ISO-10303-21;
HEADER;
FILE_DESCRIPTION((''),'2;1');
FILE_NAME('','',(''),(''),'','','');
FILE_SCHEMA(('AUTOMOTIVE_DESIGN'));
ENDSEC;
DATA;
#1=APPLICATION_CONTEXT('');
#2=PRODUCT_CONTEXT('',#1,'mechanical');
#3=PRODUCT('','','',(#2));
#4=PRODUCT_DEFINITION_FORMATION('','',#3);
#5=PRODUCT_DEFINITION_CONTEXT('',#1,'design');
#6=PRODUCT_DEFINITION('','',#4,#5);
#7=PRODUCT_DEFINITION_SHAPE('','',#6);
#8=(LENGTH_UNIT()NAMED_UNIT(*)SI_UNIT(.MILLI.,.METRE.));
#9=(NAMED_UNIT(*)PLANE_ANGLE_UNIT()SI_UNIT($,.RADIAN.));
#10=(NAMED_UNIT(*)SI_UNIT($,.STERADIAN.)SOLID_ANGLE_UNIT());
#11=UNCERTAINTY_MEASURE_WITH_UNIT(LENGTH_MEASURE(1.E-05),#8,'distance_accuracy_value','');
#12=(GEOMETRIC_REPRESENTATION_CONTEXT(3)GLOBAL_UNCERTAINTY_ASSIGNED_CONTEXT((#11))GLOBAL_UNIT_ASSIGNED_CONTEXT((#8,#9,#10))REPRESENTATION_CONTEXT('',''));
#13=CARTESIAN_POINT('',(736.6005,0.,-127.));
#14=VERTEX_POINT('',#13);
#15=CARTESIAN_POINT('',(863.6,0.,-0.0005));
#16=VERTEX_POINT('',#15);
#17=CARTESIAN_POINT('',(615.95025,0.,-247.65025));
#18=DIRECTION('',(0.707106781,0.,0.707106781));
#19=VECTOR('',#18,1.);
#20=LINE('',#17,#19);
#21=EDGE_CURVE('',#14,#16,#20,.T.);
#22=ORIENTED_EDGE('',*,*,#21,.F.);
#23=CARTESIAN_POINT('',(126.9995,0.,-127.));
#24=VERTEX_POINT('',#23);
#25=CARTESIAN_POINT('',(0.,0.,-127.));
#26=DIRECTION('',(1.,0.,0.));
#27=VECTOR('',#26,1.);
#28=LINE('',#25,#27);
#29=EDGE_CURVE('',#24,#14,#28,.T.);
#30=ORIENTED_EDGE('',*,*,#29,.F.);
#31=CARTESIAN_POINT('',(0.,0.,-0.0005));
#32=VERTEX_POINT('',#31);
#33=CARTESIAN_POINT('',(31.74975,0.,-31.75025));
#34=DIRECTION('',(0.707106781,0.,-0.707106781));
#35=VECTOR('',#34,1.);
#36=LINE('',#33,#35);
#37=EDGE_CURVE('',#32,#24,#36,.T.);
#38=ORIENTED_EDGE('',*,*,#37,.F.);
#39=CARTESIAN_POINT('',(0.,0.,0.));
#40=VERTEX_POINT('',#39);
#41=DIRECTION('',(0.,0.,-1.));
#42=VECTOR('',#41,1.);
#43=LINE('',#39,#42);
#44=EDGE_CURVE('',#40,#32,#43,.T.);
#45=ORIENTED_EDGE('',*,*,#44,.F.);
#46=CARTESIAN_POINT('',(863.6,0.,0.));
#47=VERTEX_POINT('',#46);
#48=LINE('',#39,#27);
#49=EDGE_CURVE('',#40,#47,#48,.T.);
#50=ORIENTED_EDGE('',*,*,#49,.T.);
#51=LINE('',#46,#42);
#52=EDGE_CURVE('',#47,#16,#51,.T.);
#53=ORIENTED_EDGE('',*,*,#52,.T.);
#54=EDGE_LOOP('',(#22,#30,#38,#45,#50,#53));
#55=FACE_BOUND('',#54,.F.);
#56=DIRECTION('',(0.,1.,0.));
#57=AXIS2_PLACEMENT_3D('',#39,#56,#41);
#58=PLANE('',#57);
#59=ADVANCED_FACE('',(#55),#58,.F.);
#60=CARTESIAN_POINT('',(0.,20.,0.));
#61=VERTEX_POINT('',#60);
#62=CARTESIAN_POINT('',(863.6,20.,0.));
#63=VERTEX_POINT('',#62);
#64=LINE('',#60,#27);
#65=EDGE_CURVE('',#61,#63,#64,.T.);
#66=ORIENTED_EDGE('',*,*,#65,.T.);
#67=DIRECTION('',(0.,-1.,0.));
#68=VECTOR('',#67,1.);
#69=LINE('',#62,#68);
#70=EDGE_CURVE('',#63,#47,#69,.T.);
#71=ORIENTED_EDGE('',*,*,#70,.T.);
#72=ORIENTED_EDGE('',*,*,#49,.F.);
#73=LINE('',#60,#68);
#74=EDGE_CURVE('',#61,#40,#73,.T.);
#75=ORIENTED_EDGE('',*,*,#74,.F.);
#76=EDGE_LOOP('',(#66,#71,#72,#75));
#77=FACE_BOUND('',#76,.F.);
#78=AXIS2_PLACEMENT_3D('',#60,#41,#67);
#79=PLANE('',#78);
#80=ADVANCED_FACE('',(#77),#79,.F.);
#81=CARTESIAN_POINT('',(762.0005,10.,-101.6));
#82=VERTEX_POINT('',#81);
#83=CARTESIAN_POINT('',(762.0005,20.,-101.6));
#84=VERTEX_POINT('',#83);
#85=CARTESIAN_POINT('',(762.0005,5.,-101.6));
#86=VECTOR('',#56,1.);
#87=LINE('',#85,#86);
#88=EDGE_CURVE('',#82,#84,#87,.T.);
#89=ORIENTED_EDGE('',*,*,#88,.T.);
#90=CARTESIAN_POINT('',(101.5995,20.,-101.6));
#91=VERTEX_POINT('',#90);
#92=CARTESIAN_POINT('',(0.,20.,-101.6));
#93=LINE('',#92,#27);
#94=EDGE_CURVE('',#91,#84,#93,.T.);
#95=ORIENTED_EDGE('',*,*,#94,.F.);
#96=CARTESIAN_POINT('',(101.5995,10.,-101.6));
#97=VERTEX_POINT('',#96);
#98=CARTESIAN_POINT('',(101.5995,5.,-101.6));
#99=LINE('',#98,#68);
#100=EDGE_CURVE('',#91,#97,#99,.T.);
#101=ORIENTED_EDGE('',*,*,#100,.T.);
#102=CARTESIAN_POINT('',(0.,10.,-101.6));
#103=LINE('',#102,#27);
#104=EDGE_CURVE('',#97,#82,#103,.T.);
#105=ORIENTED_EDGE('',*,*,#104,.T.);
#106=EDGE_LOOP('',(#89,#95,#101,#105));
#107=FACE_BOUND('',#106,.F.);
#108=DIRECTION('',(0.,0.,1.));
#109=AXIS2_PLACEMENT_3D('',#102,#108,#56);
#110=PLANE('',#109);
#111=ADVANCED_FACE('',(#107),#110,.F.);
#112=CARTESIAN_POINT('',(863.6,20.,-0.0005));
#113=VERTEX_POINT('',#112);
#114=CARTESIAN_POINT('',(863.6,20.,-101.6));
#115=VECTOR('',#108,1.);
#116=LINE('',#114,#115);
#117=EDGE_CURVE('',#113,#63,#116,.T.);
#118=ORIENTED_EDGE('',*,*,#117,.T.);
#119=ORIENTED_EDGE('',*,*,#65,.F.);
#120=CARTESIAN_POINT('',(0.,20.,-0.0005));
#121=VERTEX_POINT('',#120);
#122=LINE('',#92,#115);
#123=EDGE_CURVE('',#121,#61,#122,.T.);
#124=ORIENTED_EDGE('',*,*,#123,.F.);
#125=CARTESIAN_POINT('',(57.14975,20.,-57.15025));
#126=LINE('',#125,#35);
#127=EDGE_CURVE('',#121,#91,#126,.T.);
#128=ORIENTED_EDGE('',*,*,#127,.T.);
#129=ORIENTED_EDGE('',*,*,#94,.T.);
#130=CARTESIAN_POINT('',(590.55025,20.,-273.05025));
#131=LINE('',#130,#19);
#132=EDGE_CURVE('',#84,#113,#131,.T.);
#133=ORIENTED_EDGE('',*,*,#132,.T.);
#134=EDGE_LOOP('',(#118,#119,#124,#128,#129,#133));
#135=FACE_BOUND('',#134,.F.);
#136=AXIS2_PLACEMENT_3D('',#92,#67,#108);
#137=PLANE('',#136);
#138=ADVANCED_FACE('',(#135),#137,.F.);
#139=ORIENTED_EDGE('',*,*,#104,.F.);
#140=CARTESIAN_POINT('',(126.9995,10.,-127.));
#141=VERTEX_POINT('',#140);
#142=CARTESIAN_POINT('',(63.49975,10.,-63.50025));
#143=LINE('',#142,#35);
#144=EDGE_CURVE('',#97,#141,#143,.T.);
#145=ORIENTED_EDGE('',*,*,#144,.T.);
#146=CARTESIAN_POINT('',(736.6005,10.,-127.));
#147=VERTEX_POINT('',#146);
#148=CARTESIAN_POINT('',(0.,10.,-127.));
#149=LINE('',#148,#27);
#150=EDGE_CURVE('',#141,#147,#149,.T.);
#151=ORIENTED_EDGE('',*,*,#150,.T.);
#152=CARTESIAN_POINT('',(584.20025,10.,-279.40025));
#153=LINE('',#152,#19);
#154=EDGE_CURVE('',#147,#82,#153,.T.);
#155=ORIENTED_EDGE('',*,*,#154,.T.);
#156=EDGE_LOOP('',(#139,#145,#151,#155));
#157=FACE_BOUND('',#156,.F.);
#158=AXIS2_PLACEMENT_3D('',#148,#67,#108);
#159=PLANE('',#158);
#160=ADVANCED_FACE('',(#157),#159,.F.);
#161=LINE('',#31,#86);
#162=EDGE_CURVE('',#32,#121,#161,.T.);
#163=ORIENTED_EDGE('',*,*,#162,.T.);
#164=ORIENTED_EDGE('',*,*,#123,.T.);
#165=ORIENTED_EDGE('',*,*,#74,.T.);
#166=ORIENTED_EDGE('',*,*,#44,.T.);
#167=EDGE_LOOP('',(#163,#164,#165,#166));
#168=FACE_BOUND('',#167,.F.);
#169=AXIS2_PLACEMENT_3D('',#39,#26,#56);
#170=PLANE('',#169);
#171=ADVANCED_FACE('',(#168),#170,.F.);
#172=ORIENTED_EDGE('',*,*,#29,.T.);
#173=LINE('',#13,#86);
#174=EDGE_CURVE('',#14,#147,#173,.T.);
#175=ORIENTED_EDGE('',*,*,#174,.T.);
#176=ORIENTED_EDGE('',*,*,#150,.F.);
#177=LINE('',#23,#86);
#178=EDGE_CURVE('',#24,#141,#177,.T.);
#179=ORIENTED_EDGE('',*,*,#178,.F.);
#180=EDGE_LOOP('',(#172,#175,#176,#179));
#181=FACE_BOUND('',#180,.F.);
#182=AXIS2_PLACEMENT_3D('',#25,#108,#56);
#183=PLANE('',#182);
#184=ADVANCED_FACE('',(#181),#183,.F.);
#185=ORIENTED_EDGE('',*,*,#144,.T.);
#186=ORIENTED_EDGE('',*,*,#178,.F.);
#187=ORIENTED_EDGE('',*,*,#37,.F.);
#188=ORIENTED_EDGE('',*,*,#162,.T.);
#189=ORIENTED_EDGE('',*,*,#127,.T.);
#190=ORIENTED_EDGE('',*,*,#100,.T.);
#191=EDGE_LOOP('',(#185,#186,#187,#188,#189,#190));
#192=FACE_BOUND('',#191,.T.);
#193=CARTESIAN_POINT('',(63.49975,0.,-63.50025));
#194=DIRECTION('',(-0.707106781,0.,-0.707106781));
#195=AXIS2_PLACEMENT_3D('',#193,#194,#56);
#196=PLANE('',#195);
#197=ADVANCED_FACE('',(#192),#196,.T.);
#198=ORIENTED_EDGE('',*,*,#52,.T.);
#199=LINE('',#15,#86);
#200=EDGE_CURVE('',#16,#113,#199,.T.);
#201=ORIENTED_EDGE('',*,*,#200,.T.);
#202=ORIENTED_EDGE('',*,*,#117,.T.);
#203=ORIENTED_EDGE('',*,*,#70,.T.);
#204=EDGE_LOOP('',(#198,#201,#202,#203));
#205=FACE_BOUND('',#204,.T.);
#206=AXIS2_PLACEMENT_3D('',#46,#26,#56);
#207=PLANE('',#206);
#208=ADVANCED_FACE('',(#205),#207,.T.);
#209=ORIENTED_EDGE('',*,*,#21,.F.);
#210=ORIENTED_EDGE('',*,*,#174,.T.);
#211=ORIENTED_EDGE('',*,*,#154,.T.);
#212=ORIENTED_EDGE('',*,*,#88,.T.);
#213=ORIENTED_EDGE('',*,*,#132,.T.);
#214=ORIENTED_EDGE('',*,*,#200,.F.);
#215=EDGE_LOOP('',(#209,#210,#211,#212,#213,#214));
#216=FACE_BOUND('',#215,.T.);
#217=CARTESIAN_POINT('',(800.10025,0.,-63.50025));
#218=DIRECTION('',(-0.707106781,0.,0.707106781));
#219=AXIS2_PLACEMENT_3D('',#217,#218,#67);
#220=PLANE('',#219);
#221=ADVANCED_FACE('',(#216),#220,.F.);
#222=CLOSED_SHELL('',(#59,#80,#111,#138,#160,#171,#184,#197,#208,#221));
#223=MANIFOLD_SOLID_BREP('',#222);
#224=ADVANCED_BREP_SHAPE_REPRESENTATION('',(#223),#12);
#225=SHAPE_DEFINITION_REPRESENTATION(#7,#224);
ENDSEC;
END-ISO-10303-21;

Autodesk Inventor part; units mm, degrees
ref_plane "YZ Plane" through (0, 0, 0) normal (1, 0, 0) x (0, 1, 0)
ref_plane "XZ Plane" through (0, 0, 0) normal (0, 1, 0) x (-1, 0, 0)
ref_plane "XY Plane" through (0, 0, 0) normal (0, 0, 1) x (1, 0, 0)
sketch "Sketch1" plane through (0, 0, 0) normal (1, 0, 0) x (0, 1, 0)
  line L0 (0, 0) -> (0, -127)
  line L1 (0, -127) -> (10, -127)
  line L2 (10, -127) -> (10, -101.6)
  line L3 (10, -101.6) -> (20, -101.6)
  line L4 (20, -101.6) -> (20, 0)
  line L5 (20, 0) -> (0, 0)
  dimension "d0" = 127
  dimension "d1" = 10
  dimension "d2" = 25.4
  dimension "d3" = 10
extrude "Extrusion1" add sketch "Sketch1" along normal blind 863.6
chamfer "Chamfer1" distance 127 angle 45 1 edges at (863.6, 5, -127)
chamfer "Chamfer2" distance 127 angle 45 1 edges at (0, 5, -127)
properties part number "SkirtWidth" material "Wood (Birch)"
